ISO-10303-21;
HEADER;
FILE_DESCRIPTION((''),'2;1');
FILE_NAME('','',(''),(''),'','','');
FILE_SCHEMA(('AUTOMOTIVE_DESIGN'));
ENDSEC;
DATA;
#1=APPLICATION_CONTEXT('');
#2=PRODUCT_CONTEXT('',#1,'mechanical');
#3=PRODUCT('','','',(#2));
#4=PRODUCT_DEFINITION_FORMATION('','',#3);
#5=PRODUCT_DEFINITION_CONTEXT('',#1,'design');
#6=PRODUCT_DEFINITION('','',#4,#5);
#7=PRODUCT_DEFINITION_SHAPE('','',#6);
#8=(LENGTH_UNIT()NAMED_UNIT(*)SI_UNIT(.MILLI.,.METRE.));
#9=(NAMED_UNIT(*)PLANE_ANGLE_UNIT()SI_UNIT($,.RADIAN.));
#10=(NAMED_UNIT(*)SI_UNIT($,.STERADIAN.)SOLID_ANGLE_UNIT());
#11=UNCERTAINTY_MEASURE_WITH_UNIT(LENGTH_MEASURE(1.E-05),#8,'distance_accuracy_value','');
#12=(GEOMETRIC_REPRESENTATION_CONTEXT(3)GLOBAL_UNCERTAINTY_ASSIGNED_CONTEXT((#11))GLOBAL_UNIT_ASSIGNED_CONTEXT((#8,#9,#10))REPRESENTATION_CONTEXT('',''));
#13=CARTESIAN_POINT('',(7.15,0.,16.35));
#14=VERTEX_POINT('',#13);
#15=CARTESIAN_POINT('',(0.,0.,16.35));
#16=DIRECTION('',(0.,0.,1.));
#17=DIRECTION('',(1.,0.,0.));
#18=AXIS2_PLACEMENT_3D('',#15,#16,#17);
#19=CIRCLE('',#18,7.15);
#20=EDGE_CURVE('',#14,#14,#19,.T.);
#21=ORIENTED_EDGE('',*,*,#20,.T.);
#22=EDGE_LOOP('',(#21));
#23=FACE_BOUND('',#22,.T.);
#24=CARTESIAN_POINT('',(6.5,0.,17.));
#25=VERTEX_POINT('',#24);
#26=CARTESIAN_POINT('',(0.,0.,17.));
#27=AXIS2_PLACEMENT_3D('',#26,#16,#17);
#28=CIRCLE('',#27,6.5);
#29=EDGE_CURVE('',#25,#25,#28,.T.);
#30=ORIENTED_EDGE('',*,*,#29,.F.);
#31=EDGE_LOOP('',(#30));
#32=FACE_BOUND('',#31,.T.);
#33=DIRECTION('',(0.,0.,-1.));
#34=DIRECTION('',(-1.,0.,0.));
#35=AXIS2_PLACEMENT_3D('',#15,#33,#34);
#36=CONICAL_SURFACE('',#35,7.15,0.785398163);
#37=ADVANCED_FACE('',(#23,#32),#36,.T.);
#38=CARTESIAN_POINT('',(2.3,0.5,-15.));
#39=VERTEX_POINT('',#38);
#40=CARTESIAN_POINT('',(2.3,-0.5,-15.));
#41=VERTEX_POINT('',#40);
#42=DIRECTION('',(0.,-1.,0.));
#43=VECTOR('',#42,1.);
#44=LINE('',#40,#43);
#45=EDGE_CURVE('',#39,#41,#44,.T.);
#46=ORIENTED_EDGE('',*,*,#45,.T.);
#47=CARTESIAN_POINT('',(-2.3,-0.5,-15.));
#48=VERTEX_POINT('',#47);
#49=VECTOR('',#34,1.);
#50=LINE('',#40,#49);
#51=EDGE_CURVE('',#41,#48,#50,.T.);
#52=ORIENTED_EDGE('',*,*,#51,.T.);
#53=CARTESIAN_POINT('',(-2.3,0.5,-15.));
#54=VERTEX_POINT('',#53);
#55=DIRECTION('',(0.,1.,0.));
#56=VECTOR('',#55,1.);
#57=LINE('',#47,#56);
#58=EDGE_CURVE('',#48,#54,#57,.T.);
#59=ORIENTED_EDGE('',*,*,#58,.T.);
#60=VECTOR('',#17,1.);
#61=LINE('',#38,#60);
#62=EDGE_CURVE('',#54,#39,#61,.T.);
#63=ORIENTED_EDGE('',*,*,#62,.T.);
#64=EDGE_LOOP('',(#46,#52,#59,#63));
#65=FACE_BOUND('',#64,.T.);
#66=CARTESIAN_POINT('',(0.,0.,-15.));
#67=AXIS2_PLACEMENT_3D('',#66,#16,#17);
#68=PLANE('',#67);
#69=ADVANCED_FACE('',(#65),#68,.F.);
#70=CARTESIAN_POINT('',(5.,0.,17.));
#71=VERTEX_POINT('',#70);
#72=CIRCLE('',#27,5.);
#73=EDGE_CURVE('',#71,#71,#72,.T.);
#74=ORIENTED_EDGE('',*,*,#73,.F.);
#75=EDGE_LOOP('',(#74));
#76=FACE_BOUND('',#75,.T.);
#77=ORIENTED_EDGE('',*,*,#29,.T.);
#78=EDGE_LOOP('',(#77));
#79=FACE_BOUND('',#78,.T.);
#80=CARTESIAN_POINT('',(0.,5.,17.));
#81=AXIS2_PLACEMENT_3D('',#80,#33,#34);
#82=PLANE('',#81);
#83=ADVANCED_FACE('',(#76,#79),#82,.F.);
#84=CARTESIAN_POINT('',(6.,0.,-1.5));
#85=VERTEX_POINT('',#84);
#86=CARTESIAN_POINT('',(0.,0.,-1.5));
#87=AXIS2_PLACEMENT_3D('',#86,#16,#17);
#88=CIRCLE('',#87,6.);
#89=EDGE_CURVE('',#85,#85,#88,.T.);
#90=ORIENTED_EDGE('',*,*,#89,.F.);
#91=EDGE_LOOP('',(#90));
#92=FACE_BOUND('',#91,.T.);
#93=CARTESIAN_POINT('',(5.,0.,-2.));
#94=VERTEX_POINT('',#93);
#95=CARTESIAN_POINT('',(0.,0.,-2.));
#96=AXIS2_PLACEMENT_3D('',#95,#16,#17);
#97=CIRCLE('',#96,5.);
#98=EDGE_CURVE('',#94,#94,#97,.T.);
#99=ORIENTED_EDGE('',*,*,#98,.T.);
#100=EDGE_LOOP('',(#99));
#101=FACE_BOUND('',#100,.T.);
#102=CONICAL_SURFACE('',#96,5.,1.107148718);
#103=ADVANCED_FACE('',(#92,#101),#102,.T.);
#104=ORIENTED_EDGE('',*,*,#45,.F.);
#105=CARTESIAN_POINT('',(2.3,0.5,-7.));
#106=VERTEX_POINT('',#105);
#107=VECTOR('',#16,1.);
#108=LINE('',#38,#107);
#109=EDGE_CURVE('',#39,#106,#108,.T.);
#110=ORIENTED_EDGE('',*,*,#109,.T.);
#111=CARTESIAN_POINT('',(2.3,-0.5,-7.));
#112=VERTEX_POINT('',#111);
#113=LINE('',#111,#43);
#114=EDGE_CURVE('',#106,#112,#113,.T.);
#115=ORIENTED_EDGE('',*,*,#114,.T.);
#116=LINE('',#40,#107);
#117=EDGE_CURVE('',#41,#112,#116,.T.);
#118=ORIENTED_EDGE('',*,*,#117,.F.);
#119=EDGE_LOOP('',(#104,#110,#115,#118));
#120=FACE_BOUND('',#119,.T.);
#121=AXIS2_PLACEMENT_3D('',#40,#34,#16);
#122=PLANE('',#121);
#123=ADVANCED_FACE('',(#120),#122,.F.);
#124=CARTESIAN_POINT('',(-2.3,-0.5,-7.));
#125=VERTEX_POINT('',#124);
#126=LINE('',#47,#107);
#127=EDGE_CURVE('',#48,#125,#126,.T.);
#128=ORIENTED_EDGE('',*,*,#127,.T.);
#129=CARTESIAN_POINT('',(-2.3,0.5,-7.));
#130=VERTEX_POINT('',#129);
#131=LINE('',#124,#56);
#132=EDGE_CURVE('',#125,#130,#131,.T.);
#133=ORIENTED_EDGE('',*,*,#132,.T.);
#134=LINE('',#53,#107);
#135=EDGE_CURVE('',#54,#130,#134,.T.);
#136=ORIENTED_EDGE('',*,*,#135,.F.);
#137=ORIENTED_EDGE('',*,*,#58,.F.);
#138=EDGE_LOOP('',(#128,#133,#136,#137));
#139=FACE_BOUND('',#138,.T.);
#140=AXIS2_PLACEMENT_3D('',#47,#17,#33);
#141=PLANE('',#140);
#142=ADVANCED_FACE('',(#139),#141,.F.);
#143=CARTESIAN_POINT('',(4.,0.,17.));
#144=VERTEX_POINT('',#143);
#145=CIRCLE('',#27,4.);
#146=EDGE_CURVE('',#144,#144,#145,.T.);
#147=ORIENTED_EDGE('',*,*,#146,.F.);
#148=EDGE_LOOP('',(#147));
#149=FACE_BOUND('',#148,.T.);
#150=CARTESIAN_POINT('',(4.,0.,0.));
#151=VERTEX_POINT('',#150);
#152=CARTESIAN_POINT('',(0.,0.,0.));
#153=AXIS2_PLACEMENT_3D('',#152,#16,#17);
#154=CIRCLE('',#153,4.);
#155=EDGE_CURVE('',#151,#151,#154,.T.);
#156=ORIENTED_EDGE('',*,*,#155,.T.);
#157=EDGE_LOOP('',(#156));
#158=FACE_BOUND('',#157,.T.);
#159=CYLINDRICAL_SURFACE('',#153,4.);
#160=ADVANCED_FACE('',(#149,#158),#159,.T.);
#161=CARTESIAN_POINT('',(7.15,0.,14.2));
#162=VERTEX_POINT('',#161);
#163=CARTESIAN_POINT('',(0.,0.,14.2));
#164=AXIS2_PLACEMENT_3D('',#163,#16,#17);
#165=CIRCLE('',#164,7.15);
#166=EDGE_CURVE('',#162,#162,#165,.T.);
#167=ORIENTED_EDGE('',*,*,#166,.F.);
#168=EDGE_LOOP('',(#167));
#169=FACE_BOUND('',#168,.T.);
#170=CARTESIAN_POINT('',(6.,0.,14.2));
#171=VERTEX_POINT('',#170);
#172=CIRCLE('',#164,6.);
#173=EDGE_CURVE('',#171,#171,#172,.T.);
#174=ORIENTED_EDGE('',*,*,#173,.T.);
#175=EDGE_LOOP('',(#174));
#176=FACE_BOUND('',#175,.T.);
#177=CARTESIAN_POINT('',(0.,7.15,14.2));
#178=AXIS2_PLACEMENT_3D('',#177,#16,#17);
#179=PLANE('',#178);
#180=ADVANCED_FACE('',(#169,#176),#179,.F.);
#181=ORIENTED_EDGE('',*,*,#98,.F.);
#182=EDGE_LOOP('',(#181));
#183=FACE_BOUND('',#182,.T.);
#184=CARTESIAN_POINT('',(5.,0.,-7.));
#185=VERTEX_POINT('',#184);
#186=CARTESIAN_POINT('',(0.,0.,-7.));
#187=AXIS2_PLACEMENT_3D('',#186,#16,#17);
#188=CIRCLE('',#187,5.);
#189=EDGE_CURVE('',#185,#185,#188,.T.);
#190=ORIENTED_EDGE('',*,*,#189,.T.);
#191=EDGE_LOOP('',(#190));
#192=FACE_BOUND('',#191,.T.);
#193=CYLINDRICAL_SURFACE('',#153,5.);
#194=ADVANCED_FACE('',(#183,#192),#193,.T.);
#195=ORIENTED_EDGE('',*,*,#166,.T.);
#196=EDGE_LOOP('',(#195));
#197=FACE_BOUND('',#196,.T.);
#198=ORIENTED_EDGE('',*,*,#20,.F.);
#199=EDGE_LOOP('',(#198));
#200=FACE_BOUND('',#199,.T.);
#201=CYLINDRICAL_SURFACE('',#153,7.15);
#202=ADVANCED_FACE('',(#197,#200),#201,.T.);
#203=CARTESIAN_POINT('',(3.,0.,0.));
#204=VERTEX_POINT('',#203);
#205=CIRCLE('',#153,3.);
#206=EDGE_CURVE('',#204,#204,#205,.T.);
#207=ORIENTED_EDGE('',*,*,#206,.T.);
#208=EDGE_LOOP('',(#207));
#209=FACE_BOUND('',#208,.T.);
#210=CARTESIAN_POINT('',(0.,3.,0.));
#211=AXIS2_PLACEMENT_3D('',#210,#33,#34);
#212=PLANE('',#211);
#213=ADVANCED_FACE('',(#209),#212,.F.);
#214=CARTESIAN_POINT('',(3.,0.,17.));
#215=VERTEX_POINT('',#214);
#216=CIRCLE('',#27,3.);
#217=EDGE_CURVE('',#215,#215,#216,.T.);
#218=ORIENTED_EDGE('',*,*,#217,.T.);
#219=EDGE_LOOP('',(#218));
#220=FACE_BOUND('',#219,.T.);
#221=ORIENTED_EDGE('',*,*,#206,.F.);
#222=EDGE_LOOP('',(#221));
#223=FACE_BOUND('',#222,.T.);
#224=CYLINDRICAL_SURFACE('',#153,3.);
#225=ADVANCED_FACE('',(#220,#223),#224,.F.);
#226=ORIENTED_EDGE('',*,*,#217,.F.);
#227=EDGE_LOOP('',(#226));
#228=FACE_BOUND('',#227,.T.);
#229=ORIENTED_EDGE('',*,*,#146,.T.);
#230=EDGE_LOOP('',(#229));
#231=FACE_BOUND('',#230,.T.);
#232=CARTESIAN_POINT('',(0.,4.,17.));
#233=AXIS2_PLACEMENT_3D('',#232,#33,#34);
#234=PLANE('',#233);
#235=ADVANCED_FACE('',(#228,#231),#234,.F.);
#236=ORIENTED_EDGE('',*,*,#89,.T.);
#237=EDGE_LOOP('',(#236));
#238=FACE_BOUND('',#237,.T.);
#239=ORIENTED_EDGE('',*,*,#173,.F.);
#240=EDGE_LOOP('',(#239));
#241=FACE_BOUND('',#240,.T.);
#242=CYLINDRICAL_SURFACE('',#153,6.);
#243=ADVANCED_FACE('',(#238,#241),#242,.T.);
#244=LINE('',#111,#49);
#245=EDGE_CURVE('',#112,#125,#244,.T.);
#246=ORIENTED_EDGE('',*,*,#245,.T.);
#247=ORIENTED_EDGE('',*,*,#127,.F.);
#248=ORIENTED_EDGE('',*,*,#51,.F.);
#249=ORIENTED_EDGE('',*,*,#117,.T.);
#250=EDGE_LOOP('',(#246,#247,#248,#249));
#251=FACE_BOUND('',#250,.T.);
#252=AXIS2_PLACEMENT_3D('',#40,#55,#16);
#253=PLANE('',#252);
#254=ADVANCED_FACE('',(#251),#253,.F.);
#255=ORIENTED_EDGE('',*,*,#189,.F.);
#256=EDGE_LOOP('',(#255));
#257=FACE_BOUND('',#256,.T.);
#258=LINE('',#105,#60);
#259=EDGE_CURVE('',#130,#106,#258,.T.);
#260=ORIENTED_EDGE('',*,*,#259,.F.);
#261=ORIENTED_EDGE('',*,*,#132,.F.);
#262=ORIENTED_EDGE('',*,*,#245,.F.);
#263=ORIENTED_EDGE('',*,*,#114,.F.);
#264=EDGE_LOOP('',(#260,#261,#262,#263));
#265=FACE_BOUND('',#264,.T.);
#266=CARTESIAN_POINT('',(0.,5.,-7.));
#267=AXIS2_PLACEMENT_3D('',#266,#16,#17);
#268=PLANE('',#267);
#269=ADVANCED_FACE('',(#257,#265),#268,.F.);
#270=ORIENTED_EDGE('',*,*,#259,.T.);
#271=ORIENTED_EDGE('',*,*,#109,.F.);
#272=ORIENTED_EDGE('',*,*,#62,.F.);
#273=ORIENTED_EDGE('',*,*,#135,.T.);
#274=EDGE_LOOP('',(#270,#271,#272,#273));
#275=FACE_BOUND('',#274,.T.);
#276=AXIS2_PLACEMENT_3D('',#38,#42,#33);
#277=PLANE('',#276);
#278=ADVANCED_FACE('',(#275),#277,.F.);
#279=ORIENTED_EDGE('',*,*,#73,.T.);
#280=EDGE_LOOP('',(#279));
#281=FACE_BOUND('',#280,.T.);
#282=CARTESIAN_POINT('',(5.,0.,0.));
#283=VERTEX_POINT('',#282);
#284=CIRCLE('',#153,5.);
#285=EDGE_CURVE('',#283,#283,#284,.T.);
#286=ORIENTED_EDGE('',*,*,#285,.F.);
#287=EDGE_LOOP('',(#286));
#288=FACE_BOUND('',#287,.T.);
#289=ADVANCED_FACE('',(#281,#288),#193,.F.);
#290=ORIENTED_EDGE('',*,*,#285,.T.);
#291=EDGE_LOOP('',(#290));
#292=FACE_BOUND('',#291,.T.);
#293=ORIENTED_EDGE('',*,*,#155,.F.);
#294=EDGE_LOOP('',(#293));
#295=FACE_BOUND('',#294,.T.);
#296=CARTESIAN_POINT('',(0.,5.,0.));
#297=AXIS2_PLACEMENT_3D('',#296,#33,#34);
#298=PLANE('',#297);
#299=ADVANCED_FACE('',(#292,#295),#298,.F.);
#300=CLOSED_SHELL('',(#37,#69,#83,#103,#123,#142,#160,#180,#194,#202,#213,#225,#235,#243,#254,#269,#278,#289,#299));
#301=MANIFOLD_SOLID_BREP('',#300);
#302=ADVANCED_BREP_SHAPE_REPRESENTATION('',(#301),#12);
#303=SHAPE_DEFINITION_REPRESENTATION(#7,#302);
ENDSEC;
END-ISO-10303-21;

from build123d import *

# Parameters (mm, degrees)
SCHIZZO2_W                   = 4.6
SCHIZZO2_H                   = 1
ESTRUSIONE_ESTRUSIONE1_DEPTH = 8


with BuildPart() as part:
    # Schizzo1 → Rivoluzione1 (revolve)
    with BuildSketch(Plane(origin=(0, 0, 0), x_dir=(0, 0, -1), z_dir=(1, 0, 0)), mode=Mode.PRIVATE) as rivoluzione1_sk:
        Polygon((-17, 6.5), (-16.35, 7.15), (-14.2, 7.15), (-14.2, 6), (1.5, 6), (2, 5), (7, 5), (7, 0), (0, 0), (0, 3), (-17, 3), (-17, 4), (0, 4), (0, 5), (-17, 5), align=None)
    revolve(rivoluzione1_sk.sketch.rotate(Axis((0, 0, 0), (0, 0, -1)), 90), axis=Axis((0, 0, 0), (0, 0, -1)))

    # Schizzo2 → Estrusione-Estrusione1 (add)
    with BuildSketch(Plane(origin=(0, 0, -7), x_dir=(-1, 0, 0), z_dir=(0, 0, -1))):
        Rectangle(SCHIZZO2_W, SCHIZZO2_H)
    extrude(amount=ESTRUSIONE_ESTRUSIONE1_DEPTH)


solid = part.part
